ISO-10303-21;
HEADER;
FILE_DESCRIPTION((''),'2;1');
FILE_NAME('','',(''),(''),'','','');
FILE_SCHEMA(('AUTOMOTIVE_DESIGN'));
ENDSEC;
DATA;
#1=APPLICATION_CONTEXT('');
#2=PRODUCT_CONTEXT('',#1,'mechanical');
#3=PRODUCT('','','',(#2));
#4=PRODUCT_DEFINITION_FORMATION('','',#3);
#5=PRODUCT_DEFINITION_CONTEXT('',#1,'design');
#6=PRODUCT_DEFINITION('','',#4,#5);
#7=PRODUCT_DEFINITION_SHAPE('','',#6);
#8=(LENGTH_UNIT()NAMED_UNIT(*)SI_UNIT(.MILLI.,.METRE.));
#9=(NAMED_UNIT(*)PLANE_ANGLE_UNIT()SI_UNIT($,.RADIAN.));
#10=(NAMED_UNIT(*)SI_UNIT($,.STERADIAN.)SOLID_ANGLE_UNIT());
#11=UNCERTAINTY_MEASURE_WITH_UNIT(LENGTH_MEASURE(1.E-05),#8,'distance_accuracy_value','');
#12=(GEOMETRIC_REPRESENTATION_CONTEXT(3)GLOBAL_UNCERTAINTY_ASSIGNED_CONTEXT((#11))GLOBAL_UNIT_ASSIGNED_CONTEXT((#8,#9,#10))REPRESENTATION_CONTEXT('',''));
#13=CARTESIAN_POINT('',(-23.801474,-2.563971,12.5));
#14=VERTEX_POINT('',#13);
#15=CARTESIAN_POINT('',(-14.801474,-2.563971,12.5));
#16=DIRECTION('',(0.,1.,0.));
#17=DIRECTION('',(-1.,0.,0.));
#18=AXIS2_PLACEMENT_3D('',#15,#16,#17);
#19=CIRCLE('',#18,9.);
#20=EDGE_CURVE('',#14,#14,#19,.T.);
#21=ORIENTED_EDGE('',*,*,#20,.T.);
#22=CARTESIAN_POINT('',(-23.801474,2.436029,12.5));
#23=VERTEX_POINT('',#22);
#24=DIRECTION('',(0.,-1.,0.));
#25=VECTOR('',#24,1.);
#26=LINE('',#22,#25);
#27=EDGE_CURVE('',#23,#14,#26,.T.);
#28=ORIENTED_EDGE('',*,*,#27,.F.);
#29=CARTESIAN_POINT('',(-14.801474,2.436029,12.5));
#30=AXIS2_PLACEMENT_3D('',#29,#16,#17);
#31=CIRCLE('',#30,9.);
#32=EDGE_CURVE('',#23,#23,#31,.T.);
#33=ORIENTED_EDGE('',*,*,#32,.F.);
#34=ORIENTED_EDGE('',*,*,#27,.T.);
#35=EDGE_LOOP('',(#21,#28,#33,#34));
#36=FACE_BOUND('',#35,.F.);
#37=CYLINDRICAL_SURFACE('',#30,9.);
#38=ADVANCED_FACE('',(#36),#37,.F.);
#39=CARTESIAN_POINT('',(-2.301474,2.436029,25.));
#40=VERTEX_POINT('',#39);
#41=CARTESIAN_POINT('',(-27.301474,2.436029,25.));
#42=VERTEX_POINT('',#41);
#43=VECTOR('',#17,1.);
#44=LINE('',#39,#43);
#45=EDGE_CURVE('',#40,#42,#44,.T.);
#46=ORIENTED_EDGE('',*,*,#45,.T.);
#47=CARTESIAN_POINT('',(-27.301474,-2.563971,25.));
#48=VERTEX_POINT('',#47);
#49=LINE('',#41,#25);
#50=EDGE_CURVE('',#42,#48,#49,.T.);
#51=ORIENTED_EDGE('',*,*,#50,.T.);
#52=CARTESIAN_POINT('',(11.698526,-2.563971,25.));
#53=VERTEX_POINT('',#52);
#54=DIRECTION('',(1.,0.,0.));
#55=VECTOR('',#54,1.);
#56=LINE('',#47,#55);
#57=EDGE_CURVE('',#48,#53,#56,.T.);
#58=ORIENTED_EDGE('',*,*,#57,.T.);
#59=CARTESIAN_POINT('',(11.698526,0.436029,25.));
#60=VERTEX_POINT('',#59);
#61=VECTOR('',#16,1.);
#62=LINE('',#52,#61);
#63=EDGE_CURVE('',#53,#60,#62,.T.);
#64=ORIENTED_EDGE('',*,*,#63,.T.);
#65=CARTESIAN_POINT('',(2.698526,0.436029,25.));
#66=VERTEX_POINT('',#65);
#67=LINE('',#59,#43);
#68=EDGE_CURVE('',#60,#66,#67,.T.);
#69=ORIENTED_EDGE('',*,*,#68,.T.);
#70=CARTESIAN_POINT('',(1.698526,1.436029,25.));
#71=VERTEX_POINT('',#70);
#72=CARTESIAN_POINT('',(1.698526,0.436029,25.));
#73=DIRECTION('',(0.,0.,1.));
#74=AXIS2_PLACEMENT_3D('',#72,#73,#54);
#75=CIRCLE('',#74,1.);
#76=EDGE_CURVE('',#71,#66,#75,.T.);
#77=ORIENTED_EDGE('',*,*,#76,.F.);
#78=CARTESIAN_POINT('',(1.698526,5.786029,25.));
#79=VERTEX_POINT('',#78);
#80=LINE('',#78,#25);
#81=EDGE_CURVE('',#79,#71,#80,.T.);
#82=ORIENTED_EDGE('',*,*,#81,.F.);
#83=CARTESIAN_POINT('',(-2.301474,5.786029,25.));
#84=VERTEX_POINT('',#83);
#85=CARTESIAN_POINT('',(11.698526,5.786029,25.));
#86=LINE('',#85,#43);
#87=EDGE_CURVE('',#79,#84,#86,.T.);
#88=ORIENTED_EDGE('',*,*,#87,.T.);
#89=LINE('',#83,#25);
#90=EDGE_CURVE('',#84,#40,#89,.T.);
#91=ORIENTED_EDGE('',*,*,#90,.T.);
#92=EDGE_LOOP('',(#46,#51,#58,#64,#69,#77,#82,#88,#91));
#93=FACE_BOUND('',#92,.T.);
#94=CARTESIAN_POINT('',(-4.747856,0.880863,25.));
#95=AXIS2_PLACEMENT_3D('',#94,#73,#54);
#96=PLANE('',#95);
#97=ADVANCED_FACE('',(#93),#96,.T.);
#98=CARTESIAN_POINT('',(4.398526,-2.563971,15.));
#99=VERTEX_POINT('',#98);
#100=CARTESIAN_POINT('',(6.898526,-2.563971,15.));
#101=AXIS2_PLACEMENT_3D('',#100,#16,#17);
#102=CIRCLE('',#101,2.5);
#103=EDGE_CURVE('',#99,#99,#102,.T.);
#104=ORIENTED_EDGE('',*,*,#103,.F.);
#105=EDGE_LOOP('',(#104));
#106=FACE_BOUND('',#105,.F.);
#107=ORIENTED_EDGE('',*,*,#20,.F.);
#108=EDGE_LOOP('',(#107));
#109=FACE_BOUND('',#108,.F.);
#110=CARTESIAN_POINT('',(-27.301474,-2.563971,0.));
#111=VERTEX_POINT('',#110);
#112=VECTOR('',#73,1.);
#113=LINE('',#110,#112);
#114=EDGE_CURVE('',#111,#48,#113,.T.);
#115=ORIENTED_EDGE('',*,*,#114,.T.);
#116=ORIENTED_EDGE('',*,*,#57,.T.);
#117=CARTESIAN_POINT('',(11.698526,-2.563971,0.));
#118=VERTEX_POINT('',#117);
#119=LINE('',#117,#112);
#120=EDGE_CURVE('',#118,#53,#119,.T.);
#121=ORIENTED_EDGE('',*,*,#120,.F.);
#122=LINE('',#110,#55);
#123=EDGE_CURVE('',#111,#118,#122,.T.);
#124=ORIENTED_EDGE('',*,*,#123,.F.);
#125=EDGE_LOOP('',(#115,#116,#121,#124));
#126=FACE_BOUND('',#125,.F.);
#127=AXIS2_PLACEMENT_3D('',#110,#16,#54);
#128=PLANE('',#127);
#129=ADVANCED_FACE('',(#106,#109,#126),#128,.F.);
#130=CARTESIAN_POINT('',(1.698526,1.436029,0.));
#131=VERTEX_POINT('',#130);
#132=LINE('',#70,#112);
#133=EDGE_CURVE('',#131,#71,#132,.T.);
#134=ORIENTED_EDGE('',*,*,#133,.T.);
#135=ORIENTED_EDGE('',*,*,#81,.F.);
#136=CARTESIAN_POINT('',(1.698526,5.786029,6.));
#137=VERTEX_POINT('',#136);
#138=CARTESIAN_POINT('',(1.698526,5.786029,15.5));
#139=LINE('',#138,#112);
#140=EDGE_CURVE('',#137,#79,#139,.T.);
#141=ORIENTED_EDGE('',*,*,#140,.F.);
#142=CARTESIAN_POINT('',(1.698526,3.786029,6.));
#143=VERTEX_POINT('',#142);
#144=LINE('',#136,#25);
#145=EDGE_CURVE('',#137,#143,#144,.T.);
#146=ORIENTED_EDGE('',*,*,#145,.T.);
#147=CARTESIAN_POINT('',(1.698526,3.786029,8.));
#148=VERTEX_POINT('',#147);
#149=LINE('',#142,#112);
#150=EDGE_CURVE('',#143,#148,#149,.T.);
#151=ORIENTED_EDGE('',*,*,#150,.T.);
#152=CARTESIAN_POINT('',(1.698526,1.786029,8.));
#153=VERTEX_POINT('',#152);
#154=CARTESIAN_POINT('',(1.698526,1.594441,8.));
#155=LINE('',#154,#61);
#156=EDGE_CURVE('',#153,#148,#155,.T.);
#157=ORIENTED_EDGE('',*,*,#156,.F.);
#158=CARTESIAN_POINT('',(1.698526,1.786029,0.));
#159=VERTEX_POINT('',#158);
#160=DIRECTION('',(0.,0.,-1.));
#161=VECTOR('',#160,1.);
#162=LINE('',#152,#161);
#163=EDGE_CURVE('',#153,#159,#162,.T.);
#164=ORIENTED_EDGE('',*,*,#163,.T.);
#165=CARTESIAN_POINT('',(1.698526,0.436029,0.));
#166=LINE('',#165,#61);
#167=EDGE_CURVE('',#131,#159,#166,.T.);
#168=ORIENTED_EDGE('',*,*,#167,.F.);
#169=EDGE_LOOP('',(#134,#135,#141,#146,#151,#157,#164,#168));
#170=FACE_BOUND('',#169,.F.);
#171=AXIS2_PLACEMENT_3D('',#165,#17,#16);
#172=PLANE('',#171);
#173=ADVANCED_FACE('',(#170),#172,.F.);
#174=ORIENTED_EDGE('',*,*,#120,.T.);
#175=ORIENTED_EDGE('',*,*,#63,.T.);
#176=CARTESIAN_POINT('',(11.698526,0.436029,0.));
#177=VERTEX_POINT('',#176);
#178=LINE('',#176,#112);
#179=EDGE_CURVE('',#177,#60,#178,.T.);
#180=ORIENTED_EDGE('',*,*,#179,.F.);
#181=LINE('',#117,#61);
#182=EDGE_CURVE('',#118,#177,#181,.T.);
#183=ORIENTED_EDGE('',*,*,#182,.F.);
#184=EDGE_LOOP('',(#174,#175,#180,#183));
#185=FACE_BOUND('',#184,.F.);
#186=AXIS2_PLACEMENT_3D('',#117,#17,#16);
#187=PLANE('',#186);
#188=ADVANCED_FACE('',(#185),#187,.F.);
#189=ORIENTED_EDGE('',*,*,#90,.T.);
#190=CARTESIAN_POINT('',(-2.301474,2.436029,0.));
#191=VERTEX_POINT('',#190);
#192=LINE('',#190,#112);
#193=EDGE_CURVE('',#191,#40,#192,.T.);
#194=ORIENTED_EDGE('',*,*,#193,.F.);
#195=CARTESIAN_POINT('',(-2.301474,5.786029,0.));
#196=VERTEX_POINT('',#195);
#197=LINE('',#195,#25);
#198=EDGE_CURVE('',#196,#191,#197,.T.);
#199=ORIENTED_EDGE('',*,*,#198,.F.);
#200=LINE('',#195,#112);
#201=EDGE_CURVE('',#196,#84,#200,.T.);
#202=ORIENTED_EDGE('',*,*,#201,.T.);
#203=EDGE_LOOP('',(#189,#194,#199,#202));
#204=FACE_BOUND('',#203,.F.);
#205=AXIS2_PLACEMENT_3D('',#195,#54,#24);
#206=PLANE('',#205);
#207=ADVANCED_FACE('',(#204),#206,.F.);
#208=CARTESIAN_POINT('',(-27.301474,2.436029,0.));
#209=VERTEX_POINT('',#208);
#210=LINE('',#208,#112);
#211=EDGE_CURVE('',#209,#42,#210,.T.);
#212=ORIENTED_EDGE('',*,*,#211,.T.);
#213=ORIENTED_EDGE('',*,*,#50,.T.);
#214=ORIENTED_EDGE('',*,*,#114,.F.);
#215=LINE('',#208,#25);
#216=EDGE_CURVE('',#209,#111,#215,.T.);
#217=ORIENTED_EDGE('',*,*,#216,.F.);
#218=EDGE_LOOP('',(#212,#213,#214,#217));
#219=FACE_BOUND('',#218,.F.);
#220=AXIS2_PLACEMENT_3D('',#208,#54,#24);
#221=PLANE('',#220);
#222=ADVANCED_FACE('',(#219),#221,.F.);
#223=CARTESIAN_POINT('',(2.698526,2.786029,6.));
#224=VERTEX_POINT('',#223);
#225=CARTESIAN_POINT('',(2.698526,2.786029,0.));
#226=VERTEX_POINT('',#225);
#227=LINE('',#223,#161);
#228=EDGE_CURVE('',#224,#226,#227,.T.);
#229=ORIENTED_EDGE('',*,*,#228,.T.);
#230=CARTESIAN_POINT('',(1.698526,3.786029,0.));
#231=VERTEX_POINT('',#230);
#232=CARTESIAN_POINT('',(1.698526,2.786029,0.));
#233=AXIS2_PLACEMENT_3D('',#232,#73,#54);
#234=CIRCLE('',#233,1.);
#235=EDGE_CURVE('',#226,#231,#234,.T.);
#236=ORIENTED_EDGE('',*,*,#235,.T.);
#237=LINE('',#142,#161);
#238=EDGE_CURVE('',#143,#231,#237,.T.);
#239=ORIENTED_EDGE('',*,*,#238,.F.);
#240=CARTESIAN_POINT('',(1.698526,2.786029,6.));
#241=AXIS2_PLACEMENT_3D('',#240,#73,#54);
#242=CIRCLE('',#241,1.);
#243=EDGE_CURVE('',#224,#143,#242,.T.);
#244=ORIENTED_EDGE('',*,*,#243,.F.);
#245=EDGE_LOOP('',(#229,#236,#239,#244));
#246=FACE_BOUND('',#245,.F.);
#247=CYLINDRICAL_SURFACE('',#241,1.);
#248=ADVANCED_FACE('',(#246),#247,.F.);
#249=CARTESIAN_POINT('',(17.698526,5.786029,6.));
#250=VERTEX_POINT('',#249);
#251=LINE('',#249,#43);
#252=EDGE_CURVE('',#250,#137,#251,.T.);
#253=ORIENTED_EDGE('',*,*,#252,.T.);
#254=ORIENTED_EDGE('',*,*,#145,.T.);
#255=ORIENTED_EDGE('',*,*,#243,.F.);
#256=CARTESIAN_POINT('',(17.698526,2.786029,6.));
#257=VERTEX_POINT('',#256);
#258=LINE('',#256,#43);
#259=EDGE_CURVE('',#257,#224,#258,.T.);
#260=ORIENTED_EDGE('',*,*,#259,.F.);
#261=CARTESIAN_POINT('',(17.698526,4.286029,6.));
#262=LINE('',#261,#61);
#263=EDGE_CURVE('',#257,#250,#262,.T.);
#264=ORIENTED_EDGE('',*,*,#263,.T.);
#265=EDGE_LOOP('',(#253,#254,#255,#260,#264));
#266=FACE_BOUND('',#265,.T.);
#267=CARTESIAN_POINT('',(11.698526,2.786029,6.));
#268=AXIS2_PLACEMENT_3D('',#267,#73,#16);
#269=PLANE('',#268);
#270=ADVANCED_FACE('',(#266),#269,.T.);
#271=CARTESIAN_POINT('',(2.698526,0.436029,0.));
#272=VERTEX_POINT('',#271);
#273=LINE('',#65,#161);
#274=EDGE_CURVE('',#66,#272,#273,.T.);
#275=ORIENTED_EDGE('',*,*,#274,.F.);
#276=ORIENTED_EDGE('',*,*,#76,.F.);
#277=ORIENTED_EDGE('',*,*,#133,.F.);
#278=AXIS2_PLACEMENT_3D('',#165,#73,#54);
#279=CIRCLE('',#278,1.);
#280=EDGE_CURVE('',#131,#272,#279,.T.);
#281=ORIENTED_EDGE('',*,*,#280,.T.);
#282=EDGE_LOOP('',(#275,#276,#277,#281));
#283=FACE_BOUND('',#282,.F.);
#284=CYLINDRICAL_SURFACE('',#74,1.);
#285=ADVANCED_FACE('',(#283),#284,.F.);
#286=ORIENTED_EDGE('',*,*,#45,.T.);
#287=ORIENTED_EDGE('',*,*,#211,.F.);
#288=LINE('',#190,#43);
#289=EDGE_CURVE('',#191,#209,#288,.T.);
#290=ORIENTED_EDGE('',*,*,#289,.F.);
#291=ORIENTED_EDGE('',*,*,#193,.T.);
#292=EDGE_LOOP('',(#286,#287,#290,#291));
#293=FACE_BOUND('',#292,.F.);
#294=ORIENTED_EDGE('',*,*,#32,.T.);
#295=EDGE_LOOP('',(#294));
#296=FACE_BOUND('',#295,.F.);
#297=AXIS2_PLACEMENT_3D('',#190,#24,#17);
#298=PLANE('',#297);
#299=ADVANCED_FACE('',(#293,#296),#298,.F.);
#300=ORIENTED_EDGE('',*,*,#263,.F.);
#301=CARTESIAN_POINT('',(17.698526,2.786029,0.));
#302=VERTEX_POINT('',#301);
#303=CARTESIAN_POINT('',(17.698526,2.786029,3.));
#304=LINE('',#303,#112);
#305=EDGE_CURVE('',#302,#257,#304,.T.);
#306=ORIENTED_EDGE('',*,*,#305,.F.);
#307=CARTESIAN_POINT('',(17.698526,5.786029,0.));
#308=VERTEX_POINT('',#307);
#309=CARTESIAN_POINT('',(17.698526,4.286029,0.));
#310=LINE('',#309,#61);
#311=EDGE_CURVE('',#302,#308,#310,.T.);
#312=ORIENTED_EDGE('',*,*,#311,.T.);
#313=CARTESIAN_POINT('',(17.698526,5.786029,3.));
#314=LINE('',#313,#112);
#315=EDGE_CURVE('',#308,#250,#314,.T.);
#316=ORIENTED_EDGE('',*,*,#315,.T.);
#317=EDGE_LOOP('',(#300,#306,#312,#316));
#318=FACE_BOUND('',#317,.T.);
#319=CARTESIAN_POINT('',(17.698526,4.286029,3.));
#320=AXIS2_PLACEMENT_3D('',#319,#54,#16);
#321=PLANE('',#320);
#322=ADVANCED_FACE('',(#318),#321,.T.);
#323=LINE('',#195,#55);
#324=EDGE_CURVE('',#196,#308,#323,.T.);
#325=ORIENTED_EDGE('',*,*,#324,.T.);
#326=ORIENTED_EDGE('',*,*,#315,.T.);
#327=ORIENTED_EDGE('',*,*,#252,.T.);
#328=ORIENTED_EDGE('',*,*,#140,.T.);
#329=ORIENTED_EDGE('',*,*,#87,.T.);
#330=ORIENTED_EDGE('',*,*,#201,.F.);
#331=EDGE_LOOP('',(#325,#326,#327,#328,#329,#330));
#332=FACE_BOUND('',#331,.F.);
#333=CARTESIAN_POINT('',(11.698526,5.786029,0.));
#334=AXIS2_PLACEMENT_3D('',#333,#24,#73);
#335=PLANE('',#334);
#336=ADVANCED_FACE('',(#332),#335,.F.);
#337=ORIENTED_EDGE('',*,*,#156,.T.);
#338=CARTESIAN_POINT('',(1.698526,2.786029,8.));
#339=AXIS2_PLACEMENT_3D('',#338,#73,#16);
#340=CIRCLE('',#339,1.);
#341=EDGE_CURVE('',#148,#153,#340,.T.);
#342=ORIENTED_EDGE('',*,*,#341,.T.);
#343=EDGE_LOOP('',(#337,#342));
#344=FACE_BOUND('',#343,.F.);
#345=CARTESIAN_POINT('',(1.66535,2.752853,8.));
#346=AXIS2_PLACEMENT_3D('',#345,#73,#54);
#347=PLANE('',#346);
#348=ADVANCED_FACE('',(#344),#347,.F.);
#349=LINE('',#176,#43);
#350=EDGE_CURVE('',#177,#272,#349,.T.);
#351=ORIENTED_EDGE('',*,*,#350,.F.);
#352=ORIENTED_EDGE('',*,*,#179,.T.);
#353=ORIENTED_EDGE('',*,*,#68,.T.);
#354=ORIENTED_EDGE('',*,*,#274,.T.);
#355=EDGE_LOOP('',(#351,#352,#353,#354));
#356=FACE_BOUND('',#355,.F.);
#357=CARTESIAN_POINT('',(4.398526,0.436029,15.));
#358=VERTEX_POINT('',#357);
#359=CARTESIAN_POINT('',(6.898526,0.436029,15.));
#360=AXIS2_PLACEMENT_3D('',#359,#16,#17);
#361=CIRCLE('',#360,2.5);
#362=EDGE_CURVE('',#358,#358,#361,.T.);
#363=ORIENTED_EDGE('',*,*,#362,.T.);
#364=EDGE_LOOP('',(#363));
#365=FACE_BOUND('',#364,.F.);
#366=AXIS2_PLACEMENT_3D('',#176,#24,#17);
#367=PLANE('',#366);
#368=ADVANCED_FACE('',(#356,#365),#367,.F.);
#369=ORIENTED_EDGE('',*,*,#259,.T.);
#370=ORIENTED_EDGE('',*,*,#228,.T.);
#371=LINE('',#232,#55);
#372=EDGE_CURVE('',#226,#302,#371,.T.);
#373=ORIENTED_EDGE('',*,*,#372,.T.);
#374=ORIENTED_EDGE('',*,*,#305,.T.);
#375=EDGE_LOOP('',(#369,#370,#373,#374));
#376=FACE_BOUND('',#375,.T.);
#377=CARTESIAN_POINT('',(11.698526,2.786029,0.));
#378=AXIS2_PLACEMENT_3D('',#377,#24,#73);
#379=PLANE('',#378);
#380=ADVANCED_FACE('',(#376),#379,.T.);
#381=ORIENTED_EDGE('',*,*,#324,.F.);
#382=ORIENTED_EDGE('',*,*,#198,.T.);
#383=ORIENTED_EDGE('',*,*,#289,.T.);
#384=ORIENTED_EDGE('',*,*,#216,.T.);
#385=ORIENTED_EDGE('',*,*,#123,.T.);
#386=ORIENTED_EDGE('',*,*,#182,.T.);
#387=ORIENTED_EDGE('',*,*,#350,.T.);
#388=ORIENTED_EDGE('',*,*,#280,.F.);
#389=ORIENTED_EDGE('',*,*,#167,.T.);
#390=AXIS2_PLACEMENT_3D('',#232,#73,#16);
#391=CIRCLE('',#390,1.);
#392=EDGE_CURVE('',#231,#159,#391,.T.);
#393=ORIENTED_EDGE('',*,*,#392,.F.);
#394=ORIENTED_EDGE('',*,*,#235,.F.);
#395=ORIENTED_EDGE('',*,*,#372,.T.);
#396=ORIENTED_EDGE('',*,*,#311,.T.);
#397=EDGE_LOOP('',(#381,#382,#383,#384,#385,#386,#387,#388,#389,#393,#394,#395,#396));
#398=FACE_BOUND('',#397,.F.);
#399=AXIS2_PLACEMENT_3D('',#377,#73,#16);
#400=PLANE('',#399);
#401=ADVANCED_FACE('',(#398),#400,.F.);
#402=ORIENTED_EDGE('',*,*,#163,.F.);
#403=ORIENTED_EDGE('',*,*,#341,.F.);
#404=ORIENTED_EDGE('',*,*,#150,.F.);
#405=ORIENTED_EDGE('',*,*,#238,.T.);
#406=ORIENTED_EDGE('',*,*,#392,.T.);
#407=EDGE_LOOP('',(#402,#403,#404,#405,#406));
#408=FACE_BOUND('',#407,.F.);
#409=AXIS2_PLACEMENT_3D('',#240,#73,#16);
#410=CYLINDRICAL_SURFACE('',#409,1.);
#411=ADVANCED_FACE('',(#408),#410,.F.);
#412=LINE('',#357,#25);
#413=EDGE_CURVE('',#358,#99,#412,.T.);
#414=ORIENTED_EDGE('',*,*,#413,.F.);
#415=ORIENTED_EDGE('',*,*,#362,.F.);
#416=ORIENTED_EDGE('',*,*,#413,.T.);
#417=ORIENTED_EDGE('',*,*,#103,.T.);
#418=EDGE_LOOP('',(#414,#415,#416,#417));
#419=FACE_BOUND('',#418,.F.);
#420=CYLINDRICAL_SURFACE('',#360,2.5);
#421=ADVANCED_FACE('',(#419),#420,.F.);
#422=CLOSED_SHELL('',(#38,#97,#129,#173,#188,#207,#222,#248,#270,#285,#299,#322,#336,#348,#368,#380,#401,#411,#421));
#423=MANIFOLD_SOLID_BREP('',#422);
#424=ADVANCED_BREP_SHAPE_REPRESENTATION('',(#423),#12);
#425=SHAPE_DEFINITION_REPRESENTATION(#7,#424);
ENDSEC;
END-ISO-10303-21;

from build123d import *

# Parameters (mm, degrees)
F1_DEPTH       = 25
F2_W           = 10
F2_H           = 19
F3_DEPTH       = 3
F4_R           = 9
F5_DEPTH       = 10
F6_R           = 2.5
F7_DEPTH       = 25
F8_W           = 3
F8_H           = 6
F9_DEPTH       = 6
F10_R          = 1
F11_DEPTH      = 25
F13_DEPTH      = 25
F13_DEPTH_BACK = 2


with BuildPart() as f1:
    # F0 (on Top) → F1 (new body)
    with BuildSketch(Plane.XY):
        Polygon((1.6985263115, 0.4360290599), (1.6985263115, 2.7860290599), (11.6985263115, 2.7860290599), (11.6985263115, 5.7860290599), (-2.3014736885, 5.7860290599), (-2.3014736885, 2.4360290599), (-27.3014736885, 2.4360290599), (-27.3014736885, -2.5639709401), (11.6985263115, -2.5639709401), (11.6985263115, 0.4360290599), align=None)
    extrude(amount=F1_DEPTH)

    # F2 (on face) → F3 (cut)
    with BuildSketch(Plane(origin=(0, 5.7860290599, 0), x_dir=(-1, 0, 0), z_dir=(0, 1, 0))):
        with Locations((-6.6985263115, 15.5)):
            Rectangle(F2_W, F2_H)
    extrude(amount=-F3_DEPTH, mode=Mode.SUBTRACT)

    # F4 (on face) → F5 (cut)
    with BuildSketch(Plane(origin=(0, 2.4360290599, 0), x_dir=(-1, 0, 0), z_dir=(0, 1, 0))):
        with Locations((14.8014736885, 12.5)):
            Circle(F4_R)
    extrude(amount=-F5_DEPTH, mode=Mode.SUBTRACT)

    # F6 (on face) → F7 (cut)
    with BuildSketch(Plane(origin=(0, 0.4360290599, 0), x_dir=(-1, 0, 0), z_dir=(0, 1, 0))):
        with Locations((-6.8985263115, 15)):
            Circle(F6_R)
    extrude(amount=-F7_DEPTH, mode=Mode.SUBTRACT)

    # F8 (on face) → F9 (join)
    with BuildSketch(Plane.YZ.offset(11.6985263115)):
        with Locations((4.2860290599, 3)):
            Rectangle(F8_W, F8_H)
    extrude(amount=F9_DEPTH)

    # F10 (on face) → F11 (cut)
    with BuildSketch(Plane.XY.offset(25)):
        with Locations((1.6985263115, 0.4360290599)):
            Circle(F10_R)
    extrude(amount=-F11_DEPTH, mode=Mode.SUBTRACT)

    # F12 (on face) → F13 (cut, two sides)
    with BuildSketch(Plane.XY.offset(6)) as f13_sk:
        with BuildLine():
            ThreePointArc((1.6985263115, 3.7860290599), (0.9914195303, 2.0789222787), (2.6985263115, 2.7860290599))
            Line((2.6985263115, 2.7860290599), (1.6985263115, 2.7860290599))
            Line((1.6985263115, 2.7860290599), (1.6985263115, 3.7860290599))
        make_face()
        with BuildLine():
            Line((1.6985263115, 2.7860290599), (2.6985263115, 2.7860290599))
            ThreePointArc((2.6985263115, 2.7860290599), (2.4056330927, 3.4931358411), (1.6985263115, 3.7860290599))
            Line((1.6985263115, 3.7860290599), (1.6985263115, 2.7860290599))
        make_face()
    extrude(amount=-F13_DEPTH, mode=Mode.SUBTRACT)
    extrude(f13_sk.sketch, amount=F13_DEPTH_BACK, mode=Mode.SUBTRACT)


solid = f1.part
